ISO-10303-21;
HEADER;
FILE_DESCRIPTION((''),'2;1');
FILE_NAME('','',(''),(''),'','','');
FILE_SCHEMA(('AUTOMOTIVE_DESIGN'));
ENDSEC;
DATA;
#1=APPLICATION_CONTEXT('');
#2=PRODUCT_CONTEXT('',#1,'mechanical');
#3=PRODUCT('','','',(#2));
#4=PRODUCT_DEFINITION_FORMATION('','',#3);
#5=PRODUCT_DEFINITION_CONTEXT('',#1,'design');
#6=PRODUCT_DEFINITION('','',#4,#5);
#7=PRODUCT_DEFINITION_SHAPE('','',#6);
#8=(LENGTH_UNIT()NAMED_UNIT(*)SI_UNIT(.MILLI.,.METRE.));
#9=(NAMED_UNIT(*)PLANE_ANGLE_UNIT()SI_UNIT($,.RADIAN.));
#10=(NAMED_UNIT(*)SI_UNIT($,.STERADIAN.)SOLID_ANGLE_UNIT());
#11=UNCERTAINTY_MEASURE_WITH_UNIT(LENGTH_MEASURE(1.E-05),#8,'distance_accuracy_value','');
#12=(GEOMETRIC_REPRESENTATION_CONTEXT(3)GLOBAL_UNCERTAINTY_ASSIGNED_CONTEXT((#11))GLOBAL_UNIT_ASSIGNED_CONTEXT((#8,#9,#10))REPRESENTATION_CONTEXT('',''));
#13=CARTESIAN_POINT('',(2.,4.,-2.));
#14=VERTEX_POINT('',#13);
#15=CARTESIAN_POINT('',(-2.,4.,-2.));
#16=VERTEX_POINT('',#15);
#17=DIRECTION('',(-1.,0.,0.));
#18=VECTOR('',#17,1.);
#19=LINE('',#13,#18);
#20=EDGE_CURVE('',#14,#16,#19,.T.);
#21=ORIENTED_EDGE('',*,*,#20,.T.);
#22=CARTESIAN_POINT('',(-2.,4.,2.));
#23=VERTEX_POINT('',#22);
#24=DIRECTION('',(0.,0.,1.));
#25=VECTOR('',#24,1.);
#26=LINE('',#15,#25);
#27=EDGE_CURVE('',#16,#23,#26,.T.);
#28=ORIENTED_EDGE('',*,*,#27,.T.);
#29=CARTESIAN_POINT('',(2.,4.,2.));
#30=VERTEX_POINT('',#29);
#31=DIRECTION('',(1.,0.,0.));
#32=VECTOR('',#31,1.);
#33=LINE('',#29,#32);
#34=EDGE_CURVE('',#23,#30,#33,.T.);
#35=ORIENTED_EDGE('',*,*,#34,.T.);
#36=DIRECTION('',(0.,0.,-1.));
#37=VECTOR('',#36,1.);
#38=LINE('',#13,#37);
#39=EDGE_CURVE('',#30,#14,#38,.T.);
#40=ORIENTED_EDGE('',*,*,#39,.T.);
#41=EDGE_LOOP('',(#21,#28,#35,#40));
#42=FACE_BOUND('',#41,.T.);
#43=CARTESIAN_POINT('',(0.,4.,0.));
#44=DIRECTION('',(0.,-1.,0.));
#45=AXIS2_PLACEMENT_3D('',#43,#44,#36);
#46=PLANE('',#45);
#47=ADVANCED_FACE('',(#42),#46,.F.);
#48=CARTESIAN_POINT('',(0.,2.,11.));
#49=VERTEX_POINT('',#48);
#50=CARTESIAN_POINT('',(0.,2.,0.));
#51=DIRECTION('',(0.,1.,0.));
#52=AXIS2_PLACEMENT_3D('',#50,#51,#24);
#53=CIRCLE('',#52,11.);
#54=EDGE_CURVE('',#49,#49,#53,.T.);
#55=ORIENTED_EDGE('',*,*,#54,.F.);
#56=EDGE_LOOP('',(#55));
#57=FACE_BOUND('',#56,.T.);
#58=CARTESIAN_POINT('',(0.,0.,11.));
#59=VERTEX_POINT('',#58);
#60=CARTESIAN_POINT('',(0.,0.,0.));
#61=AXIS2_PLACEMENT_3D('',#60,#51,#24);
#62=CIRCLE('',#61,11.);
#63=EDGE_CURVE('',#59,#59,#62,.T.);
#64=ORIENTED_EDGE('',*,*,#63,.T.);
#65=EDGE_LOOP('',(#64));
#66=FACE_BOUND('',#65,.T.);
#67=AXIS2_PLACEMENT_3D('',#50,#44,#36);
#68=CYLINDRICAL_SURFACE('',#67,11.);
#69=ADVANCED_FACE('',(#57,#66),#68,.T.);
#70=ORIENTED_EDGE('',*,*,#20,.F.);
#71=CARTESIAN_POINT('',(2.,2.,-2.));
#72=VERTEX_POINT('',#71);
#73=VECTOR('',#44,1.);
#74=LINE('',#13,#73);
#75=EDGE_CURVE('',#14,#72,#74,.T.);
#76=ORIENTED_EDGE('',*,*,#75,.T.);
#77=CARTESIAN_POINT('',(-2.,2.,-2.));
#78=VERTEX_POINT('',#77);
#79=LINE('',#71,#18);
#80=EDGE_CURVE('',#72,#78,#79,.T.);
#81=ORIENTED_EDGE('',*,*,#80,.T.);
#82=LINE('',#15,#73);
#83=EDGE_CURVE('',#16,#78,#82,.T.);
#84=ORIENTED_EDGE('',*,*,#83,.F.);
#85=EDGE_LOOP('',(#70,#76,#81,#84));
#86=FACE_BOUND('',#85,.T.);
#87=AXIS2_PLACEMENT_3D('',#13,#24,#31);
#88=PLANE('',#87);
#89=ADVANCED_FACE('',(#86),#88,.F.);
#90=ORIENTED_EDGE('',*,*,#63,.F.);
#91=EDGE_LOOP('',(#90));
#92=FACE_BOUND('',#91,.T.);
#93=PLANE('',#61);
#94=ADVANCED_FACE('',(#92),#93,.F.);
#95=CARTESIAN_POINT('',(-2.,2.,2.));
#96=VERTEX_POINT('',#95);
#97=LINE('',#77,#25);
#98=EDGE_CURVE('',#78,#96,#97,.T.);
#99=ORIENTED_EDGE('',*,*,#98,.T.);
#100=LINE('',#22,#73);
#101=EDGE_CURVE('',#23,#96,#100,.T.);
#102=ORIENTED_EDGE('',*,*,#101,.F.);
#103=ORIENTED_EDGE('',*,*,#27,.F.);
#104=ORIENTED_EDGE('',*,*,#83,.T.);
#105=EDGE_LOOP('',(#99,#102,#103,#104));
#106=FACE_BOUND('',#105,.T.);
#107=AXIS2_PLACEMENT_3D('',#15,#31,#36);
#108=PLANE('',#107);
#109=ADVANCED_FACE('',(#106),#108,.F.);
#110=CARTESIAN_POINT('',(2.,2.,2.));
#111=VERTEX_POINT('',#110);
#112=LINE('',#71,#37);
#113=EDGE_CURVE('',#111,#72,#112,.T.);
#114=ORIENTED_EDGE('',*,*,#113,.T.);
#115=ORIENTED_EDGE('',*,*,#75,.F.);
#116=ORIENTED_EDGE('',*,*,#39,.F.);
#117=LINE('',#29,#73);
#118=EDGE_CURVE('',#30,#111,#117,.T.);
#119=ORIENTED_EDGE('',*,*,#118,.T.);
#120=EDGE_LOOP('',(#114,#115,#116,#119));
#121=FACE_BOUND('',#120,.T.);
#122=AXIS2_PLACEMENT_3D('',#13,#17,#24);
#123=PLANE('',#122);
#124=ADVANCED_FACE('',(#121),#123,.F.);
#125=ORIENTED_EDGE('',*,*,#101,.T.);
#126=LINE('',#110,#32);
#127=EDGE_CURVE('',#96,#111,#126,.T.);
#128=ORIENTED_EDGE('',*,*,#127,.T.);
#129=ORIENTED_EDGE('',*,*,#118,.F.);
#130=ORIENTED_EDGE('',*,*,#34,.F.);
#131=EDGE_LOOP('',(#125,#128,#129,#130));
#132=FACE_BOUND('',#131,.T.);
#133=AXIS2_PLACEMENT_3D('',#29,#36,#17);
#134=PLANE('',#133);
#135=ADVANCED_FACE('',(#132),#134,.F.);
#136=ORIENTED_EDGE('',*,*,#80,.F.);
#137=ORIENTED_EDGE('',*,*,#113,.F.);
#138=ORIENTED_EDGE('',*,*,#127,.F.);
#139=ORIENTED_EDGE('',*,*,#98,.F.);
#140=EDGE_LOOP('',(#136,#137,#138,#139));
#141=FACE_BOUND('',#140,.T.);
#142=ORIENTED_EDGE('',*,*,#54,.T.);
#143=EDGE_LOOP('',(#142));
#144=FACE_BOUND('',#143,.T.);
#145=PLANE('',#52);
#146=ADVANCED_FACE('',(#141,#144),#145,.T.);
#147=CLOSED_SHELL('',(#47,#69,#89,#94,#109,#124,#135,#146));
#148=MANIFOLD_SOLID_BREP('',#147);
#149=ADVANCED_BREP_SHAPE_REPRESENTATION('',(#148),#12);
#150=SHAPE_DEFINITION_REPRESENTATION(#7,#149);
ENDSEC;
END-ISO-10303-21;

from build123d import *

# Parameters (mm, degrees)
SKETCH1_R           = 11
BOSS_EXTRUDE1_DEPTH = 2
SKETCH2_W           = 4
SKETCH2_H           = 4
BOSS_EXTRUDE2_DEPTH = 2


with BuildPart() as part:
    # Sketch1 → Boss-Extrude1 (new body)
    with BuildSketch(Plane(origin=(0, 0, 0), x_dir=(1, 0, 0), z_dir=(0, 1, 0))):
        with Locations(Location((0, 0, 0), (0, 0, 270))):
            Circle(SKETCH1_R)
    extrude(amount=BOSS_EXTRUDE1_DEPTH)

    # Sketch2 → Boss-Extrude2 (add)
    with BuildSketch(Plane(origin=(0, 2, 0), x_dir=(1, 0, 0), z_dir=(0, 1, 0))):
        Rectangle(SKETCH2_W, SKETCH2_H)
    extrude(amount=BOSS_EXTRUDE2_DEPTH)


solid = part.part
